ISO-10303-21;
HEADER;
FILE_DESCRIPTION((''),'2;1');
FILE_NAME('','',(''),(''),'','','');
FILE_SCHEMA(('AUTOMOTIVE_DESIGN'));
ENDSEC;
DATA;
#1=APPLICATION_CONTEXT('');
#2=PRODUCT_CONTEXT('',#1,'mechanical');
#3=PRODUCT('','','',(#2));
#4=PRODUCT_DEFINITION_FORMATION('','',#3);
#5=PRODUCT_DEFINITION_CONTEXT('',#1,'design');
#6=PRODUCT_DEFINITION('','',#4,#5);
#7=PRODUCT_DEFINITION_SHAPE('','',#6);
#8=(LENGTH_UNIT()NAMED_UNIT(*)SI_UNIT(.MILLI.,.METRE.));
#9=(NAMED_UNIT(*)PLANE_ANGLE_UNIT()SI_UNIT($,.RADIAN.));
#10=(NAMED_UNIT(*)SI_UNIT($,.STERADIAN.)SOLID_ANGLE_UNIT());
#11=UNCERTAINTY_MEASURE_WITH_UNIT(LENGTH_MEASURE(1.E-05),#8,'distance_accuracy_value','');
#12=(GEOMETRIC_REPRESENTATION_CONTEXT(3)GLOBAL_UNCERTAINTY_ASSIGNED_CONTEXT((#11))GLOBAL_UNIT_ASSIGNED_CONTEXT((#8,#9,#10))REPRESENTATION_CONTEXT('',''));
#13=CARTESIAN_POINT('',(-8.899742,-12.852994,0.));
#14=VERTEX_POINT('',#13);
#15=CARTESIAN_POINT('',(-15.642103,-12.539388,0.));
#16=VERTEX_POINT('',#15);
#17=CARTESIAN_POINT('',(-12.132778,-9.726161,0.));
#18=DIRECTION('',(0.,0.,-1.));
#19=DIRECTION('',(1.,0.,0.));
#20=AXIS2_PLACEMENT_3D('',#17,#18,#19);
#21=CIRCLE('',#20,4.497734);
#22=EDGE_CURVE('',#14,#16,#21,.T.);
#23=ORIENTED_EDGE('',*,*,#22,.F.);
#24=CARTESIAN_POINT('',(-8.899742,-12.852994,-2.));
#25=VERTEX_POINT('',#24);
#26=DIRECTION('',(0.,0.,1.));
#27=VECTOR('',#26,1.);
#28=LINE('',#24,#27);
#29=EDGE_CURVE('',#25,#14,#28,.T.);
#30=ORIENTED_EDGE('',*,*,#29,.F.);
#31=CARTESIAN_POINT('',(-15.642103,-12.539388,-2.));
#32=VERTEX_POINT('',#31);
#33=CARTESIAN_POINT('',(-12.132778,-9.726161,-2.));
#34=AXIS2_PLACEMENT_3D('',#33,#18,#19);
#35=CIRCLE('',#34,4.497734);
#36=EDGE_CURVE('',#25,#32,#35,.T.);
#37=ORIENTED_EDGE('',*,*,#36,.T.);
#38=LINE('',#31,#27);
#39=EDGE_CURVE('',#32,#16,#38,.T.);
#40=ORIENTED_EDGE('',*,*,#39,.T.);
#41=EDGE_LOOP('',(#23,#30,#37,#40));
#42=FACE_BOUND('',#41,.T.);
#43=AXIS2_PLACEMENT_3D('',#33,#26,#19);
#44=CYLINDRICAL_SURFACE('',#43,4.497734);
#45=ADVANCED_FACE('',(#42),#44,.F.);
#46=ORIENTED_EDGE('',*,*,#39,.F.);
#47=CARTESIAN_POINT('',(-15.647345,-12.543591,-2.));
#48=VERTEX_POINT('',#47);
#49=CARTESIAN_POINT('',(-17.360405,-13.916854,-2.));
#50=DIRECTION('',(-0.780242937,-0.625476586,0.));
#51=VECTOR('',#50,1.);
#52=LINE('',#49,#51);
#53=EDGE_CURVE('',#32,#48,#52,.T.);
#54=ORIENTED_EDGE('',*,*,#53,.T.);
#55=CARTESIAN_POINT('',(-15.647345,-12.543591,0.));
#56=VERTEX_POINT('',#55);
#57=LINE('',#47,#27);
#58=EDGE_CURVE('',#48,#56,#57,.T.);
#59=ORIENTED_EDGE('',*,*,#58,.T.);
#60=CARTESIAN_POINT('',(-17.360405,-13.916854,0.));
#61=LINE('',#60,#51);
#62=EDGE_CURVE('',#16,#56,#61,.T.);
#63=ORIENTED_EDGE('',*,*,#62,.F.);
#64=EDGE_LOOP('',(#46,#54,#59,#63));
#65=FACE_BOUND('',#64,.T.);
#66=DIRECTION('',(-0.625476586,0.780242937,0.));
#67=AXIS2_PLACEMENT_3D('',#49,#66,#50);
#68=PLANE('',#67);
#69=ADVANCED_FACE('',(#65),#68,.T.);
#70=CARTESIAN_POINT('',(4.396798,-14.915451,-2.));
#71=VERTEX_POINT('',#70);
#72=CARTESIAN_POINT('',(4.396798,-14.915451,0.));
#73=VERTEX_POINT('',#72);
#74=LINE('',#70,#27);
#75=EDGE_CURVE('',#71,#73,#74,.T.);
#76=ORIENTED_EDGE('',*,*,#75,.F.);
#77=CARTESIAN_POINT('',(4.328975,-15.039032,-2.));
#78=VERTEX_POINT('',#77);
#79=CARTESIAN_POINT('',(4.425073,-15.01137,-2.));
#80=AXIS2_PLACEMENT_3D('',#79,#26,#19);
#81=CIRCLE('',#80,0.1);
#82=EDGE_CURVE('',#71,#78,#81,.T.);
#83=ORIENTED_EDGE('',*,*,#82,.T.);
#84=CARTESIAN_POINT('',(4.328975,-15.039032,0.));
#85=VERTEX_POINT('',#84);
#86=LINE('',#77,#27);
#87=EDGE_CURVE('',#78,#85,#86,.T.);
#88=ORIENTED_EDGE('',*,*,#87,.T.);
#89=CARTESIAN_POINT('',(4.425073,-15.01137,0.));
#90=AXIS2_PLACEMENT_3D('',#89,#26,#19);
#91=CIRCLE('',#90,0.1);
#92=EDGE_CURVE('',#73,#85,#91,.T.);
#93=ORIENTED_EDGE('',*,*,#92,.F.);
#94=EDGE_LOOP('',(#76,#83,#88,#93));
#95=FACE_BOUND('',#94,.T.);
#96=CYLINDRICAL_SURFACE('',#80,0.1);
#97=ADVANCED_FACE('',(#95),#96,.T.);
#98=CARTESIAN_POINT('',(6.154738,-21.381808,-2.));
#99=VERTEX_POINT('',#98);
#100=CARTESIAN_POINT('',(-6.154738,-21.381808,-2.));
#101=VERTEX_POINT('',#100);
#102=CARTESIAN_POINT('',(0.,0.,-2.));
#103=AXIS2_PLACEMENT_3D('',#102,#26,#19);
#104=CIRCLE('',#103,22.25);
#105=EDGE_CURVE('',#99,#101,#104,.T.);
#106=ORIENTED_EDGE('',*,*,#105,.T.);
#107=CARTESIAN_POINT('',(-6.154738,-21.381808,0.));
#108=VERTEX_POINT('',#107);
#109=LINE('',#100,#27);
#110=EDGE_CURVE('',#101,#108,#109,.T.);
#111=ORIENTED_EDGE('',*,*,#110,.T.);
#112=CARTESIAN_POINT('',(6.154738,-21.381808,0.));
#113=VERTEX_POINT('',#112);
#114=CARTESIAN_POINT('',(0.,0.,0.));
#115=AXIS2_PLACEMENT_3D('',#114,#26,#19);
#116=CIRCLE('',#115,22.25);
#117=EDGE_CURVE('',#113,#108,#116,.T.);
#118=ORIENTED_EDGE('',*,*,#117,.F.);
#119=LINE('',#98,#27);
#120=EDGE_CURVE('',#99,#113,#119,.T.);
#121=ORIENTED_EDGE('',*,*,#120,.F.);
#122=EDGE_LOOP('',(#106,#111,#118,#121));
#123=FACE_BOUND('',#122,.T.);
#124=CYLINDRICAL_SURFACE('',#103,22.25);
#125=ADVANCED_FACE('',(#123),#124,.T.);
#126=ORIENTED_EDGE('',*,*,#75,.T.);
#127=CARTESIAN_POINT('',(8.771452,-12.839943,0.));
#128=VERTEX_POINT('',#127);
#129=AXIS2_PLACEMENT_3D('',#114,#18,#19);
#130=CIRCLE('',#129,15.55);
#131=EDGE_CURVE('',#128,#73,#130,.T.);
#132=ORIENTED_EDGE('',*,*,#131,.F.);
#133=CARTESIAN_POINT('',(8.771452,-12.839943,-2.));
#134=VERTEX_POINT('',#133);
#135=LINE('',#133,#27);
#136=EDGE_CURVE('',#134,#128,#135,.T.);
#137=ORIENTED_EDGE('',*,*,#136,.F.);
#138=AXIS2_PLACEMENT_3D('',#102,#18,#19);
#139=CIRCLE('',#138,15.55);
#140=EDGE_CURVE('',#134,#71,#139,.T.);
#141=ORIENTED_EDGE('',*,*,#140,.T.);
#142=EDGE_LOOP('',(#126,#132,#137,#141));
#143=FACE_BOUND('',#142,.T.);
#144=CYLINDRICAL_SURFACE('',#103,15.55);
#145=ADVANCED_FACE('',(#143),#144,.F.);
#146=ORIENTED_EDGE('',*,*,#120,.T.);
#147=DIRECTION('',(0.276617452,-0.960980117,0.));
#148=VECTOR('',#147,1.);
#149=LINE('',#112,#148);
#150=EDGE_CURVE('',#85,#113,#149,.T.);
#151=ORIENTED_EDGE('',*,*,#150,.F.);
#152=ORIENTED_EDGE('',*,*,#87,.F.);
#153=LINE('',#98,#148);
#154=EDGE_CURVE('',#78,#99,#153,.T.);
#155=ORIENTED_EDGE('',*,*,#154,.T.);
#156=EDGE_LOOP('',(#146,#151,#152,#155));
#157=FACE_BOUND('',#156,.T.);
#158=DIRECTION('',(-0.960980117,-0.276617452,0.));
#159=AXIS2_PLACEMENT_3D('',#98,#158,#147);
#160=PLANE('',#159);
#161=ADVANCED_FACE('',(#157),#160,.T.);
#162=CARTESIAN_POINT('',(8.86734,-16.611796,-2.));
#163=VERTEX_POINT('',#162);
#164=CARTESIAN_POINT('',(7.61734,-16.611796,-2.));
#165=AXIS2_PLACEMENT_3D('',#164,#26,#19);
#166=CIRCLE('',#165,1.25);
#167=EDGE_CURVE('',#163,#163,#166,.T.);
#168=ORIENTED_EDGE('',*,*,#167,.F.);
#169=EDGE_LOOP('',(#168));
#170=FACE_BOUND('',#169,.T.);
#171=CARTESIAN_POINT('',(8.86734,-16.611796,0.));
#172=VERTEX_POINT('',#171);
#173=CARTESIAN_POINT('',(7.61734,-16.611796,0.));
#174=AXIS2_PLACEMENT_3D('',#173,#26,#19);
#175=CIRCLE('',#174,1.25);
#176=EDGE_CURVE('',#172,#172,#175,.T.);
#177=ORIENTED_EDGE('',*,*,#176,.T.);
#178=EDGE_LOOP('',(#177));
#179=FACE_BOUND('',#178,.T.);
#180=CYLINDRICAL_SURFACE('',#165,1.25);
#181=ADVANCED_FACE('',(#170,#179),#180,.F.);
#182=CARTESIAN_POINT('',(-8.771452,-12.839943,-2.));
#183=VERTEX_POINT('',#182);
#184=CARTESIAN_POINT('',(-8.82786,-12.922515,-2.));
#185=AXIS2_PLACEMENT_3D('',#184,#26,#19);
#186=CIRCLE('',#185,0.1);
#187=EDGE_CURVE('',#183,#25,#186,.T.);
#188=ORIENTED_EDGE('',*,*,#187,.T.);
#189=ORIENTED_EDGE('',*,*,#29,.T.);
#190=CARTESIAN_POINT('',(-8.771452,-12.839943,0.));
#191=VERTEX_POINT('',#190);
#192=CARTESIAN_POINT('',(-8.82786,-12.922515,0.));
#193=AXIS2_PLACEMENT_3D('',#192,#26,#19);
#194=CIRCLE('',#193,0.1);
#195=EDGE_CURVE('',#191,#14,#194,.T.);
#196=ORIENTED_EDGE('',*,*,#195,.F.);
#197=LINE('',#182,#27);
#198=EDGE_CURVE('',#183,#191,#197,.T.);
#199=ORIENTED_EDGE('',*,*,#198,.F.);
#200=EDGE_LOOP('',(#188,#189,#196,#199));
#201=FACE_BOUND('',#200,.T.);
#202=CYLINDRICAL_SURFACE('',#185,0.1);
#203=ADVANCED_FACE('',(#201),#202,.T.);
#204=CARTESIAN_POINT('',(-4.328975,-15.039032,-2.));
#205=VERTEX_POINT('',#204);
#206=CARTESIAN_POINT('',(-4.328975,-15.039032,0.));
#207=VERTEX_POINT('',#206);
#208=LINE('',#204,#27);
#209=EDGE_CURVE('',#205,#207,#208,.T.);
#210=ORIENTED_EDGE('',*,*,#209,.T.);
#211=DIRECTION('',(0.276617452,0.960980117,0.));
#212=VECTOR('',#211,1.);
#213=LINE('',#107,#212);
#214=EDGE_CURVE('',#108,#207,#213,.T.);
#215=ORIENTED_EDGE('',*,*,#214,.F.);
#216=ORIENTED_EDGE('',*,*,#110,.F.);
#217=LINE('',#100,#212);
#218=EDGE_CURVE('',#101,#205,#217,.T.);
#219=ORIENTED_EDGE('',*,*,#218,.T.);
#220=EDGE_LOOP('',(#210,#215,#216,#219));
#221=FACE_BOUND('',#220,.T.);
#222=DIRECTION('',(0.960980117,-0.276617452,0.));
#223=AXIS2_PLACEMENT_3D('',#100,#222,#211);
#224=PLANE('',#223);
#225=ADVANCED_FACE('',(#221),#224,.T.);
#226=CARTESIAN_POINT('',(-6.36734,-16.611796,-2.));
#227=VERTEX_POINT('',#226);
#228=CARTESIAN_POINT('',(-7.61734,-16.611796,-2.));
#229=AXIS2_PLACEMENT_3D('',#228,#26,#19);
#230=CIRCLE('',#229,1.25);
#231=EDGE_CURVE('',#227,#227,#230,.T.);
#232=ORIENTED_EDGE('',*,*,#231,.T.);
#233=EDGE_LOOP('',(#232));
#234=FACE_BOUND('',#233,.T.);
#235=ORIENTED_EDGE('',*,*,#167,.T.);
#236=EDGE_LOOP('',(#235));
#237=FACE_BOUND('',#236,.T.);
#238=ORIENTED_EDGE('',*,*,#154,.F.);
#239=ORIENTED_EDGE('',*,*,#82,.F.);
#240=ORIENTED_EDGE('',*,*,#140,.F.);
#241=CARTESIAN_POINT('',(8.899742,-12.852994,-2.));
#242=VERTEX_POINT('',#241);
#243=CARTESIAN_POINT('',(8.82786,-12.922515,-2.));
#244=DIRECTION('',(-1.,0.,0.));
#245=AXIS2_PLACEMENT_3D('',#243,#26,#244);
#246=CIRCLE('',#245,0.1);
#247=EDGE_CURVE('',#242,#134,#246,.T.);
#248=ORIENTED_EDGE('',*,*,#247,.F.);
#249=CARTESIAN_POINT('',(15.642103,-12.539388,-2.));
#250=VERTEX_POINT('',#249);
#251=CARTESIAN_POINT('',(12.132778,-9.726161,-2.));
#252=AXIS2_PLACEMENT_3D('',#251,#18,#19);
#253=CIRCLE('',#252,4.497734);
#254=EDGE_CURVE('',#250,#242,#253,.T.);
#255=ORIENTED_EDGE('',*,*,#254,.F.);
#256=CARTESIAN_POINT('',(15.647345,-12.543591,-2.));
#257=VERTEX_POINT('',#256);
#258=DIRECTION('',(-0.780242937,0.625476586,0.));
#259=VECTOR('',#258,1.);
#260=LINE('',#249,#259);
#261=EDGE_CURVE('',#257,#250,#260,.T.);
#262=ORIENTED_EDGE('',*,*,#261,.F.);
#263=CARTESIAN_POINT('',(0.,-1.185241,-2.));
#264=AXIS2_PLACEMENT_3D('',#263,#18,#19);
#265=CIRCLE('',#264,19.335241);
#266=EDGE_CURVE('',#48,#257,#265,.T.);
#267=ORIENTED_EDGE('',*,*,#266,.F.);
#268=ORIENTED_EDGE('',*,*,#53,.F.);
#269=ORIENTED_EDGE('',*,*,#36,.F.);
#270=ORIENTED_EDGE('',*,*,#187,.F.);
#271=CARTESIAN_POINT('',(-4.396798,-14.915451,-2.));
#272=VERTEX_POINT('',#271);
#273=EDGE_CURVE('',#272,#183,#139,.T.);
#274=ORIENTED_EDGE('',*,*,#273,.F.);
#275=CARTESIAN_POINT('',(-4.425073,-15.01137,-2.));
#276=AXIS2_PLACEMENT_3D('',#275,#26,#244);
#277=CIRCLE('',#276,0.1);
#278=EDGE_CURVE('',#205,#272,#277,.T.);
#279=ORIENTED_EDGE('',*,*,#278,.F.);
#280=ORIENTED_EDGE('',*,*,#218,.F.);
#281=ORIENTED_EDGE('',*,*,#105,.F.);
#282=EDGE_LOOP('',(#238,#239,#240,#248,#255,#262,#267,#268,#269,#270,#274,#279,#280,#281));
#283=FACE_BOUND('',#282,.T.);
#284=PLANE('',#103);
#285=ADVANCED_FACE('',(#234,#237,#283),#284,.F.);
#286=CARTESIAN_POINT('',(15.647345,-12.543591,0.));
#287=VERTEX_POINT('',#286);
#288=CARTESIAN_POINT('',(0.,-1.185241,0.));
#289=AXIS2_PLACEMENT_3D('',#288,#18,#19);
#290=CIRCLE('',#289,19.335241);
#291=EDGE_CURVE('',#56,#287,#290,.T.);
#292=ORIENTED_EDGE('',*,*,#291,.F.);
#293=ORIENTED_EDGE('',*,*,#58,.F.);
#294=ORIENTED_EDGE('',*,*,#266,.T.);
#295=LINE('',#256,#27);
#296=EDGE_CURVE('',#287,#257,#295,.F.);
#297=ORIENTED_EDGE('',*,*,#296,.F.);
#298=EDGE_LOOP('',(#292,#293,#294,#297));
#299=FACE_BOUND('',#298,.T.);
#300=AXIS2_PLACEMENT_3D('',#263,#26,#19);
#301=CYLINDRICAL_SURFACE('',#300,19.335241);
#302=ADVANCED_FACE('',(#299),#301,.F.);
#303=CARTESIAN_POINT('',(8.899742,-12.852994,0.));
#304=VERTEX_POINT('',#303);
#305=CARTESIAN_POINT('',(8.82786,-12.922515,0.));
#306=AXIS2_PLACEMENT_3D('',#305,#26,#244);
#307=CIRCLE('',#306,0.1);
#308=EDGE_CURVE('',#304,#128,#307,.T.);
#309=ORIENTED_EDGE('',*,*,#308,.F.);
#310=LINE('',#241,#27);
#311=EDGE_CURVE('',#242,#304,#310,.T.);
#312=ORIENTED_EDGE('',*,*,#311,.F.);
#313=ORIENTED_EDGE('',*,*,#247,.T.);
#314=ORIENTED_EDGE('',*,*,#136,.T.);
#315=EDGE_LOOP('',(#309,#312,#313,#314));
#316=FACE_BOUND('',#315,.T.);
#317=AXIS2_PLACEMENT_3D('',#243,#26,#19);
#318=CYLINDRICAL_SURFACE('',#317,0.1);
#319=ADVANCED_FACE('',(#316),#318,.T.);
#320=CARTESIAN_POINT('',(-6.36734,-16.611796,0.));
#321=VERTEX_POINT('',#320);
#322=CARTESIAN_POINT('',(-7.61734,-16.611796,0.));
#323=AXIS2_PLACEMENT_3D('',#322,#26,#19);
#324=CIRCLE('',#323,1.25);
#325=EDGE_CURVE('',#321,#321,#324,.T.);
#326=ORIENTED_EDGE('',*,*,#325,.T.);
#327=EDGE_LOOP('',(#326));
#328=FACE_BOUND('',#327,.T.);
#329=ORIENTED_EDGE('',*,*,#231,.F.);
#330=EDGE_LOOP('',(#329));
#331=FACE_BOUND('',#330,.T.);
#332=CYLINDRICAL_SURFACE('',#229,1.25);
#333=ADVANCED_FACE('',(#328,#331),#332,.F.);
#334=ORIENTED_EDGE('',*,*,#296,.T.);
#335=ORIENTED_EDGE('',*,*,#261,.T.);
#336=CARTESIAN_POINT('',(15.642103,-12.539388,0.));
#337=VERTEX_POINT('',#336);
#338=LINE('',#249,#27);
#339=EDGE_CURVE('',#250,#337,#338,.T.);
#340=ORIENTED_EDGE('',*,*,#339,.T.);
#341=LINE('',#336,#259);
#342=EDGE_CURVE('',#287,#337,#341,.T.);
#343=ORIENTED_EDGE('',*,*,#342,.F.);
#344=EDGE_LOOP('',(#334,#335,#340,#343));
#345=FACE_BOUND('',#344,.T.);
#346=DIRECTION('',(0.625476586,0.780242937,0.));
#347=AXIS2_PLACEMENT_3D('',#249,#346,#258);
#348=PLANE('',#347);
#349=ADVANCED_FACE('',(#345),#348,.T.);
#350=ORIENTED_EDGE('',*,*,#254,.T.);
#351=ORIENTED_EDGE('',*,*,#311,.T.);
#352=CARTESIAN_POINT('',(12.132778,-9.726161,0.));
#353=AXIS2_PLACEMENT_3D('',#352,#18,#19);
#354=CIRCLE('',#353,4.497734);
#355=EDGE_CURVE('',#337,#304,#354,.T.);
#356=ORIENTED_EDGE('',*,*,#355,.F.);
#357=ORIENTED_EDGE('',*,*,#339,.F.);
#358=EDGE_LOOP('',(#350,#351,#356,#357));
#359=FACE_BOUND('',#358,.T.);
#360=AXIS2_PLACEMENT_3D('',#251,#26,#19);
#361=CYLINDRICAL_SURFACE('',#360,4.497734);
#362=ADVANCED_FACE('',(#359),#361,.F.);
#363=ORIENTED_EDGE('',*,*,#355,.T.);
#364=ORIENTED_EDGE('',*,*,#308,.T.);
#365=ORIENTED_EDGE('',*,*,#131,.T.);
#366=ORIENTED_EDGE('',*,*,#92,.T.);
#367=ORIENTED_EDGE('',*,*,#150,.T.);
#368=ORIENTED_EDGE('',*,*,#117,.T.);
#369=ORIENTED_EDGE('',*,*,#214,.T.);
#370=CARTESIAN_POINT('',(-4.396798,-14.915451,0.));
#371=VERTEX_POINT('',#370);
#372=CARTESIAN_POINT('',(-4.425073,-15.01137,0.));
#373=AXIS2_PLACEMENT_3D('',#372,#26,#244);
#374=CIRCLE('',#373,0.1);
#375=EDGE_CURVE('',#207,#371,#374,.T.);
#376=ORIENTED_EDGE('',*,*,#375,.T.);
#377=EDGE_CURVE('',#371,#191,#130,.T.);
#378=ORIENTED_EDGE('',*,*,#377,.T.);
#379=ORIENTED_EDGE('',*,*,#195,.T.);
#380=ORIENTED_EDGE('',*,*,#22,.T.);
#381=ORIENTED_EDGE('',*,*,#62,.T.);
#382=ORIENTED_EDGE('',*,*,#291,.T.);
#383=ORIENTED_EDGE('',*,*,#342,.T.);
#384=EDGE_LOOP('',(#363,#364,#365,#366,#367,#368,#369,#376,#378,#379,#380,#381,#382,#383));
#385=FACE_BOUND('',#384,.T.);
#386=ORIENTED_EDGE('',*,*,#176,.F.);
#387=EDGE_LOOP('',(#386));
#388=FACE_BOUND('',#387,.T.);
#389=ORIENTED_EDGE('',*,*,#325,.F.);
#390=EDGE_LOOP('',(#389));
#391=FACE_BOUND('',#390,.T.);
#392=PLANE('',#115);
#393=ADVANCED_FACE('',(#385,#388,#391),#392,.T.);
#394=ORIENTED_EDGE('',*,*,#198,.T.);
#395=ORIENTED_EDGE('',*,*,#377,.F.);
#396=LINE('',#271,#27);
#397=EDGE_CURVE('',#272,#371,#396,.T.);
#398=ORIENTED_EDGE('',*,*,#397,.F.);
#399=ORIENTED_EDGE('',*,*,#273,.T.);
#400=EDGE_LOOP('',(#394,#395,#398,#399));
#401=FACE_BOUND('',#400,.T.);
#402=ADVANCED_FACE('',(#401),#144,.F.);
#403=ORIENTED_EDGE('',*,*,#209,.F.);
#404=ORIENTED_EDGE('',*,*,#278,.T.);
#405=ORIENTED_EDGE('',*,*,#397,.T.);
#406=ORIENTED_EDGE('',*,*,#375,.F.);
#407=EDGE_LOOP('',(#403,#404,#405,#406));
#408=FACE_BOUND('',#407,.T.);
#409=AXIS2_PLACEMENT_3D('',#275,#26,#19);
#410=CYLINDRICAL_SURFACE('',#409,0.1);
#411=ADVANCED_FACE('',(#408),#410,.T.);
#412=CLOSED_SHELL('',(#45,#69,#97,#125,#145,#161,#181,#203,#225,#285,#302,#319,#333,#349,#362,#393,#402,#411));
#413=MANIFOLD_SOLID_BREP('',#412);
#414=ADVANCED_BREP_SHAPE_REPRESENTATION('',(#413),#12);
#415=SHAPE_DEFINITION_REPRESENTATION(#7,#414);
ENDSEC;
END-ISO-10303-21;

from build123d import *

# Parameters (mm, degrees)
BODYSKE_R    = 1.25
BODY_DEPTH   = 2
MODLUGSKE_R  = 1.25
MODLUG_DEPTH = 2


with BuildPart() as part:
    # BodySke → Body (new body)
    with BuildSketch(Plane.XY):
        with BuildLine():
            Line((6.15473831, -21.381807602), (4.998669473, -17.365578122))
            ThreePointArc((4.998669473, -17.365578122), (6.301661395, -14.225456519), (9.652536987, -14.799725088))
            ThreePointArc((9.652536987, -14.799725088), (11.602164826, -15.711310789), (13.605169738, -14.923904589))
            ThreePointArc((13.605169738, -14.923904589), (0, 18.15), (-13.605169738, -14.923904589))
            ThreePointArc((-13.605169738, -14.923904589), (-11.602164826, -15.711310789), (-9.652536987, -14.799725088))
            ThreePointArc((-9.652536987, -14.799725088), (-6.301661395, -14.225456519), (-4.998669473, -17.365578122))
            Line((-4.998669473, -17.365578122), (-6.15473831, -21.381807602))
            ThreePointArc((-6.15473831, -21.381807602), (0, 22.25), (6.15473831, -21.381807602))
        make_face()
        with Locations((7.617340292, -16.611795564)):
            Circle(BODYSKE_R, mode=Mode.SUBTRACT)
        with Locations((-7.617340292, -16.611795564)):
            Circle(BODYSKE_R, mode=Mode.SUBTRACT)
    extrude(amount=-BODY_DEPTH)

    # ModLugSke → ModLug (add, through all)
    with BuildSketch(Plane.XY):
        with BuildLine():
            Line((6.15473831, -21.381807602), (4.328974749, -15.039031805))
            ThreePointArc((4.328974749, -15.039031805), (4.337407237, -14.963258149), (4.396797536, -14.915450762))
            ThreePointArc((4.396797536, -14.915450762), (6.665405802, -14.049016531), (8.771452297, -12.839942547))
            ThreePointArc((8.771452297, -12.839942547), (8.837981797, -12.823028062), (8.899741793, -12.852994325))
            ThreePointArc((8.899741793, -12.852994325), (12.341754083, -14.219037165), (15.642102603, -12.539388009))
            Line((15.642102603, -12.539388009), (17.360405349, -13.916854031))
            ThreePointArc((17.360405349, -13.916854031), (12.335796621, -18.517306006), (6.15473831, -21.381807602))
        make_face()
        with Locations((7.617340292, -16.611795564)):
            Circle(MODLUGSKE_R, mode=Mode.SUBTRACT)
        with BuildLine():
            Line((-6.15473831, -21.381807602), (-4.328974749, -15.039031805))
            ThreePointArc((-4.328974749, -15.039031805), (-4.337407237, -14.963258149), (-4.396797536, -14.915450762))
            ThreePointArc((-4.396797536, -14.915450762), (-6.665405802, -14.049016531), (-8.771452297, -12.839942547))
            ThreePointArc((-8.771452297, -12.839942547), (-8.837981797, -12.823028062), (-8.899741793, -12.852994325))
            ThreePointArc((-8.899741793, -12.852994325), (-12.341754083, -14.219037165), (-15.642102603, -12.539388009))
            Line((-15.642102603, -12.539388009), (-17.360405349, -13.916854031))
            ThreePointArc((-17.360405349, -13.916854031), (-12.335796621, -18.517306006), (-6.15473831, -21.381807602))
        make_face()
        with Locations((-7.617340292, -16.611795564)):
            Circle(MODLUGSKE_R, mode=Mode.SUBTRACT)
    extrude(amount=-MODLUG_DEPTH)


solid = part.part
